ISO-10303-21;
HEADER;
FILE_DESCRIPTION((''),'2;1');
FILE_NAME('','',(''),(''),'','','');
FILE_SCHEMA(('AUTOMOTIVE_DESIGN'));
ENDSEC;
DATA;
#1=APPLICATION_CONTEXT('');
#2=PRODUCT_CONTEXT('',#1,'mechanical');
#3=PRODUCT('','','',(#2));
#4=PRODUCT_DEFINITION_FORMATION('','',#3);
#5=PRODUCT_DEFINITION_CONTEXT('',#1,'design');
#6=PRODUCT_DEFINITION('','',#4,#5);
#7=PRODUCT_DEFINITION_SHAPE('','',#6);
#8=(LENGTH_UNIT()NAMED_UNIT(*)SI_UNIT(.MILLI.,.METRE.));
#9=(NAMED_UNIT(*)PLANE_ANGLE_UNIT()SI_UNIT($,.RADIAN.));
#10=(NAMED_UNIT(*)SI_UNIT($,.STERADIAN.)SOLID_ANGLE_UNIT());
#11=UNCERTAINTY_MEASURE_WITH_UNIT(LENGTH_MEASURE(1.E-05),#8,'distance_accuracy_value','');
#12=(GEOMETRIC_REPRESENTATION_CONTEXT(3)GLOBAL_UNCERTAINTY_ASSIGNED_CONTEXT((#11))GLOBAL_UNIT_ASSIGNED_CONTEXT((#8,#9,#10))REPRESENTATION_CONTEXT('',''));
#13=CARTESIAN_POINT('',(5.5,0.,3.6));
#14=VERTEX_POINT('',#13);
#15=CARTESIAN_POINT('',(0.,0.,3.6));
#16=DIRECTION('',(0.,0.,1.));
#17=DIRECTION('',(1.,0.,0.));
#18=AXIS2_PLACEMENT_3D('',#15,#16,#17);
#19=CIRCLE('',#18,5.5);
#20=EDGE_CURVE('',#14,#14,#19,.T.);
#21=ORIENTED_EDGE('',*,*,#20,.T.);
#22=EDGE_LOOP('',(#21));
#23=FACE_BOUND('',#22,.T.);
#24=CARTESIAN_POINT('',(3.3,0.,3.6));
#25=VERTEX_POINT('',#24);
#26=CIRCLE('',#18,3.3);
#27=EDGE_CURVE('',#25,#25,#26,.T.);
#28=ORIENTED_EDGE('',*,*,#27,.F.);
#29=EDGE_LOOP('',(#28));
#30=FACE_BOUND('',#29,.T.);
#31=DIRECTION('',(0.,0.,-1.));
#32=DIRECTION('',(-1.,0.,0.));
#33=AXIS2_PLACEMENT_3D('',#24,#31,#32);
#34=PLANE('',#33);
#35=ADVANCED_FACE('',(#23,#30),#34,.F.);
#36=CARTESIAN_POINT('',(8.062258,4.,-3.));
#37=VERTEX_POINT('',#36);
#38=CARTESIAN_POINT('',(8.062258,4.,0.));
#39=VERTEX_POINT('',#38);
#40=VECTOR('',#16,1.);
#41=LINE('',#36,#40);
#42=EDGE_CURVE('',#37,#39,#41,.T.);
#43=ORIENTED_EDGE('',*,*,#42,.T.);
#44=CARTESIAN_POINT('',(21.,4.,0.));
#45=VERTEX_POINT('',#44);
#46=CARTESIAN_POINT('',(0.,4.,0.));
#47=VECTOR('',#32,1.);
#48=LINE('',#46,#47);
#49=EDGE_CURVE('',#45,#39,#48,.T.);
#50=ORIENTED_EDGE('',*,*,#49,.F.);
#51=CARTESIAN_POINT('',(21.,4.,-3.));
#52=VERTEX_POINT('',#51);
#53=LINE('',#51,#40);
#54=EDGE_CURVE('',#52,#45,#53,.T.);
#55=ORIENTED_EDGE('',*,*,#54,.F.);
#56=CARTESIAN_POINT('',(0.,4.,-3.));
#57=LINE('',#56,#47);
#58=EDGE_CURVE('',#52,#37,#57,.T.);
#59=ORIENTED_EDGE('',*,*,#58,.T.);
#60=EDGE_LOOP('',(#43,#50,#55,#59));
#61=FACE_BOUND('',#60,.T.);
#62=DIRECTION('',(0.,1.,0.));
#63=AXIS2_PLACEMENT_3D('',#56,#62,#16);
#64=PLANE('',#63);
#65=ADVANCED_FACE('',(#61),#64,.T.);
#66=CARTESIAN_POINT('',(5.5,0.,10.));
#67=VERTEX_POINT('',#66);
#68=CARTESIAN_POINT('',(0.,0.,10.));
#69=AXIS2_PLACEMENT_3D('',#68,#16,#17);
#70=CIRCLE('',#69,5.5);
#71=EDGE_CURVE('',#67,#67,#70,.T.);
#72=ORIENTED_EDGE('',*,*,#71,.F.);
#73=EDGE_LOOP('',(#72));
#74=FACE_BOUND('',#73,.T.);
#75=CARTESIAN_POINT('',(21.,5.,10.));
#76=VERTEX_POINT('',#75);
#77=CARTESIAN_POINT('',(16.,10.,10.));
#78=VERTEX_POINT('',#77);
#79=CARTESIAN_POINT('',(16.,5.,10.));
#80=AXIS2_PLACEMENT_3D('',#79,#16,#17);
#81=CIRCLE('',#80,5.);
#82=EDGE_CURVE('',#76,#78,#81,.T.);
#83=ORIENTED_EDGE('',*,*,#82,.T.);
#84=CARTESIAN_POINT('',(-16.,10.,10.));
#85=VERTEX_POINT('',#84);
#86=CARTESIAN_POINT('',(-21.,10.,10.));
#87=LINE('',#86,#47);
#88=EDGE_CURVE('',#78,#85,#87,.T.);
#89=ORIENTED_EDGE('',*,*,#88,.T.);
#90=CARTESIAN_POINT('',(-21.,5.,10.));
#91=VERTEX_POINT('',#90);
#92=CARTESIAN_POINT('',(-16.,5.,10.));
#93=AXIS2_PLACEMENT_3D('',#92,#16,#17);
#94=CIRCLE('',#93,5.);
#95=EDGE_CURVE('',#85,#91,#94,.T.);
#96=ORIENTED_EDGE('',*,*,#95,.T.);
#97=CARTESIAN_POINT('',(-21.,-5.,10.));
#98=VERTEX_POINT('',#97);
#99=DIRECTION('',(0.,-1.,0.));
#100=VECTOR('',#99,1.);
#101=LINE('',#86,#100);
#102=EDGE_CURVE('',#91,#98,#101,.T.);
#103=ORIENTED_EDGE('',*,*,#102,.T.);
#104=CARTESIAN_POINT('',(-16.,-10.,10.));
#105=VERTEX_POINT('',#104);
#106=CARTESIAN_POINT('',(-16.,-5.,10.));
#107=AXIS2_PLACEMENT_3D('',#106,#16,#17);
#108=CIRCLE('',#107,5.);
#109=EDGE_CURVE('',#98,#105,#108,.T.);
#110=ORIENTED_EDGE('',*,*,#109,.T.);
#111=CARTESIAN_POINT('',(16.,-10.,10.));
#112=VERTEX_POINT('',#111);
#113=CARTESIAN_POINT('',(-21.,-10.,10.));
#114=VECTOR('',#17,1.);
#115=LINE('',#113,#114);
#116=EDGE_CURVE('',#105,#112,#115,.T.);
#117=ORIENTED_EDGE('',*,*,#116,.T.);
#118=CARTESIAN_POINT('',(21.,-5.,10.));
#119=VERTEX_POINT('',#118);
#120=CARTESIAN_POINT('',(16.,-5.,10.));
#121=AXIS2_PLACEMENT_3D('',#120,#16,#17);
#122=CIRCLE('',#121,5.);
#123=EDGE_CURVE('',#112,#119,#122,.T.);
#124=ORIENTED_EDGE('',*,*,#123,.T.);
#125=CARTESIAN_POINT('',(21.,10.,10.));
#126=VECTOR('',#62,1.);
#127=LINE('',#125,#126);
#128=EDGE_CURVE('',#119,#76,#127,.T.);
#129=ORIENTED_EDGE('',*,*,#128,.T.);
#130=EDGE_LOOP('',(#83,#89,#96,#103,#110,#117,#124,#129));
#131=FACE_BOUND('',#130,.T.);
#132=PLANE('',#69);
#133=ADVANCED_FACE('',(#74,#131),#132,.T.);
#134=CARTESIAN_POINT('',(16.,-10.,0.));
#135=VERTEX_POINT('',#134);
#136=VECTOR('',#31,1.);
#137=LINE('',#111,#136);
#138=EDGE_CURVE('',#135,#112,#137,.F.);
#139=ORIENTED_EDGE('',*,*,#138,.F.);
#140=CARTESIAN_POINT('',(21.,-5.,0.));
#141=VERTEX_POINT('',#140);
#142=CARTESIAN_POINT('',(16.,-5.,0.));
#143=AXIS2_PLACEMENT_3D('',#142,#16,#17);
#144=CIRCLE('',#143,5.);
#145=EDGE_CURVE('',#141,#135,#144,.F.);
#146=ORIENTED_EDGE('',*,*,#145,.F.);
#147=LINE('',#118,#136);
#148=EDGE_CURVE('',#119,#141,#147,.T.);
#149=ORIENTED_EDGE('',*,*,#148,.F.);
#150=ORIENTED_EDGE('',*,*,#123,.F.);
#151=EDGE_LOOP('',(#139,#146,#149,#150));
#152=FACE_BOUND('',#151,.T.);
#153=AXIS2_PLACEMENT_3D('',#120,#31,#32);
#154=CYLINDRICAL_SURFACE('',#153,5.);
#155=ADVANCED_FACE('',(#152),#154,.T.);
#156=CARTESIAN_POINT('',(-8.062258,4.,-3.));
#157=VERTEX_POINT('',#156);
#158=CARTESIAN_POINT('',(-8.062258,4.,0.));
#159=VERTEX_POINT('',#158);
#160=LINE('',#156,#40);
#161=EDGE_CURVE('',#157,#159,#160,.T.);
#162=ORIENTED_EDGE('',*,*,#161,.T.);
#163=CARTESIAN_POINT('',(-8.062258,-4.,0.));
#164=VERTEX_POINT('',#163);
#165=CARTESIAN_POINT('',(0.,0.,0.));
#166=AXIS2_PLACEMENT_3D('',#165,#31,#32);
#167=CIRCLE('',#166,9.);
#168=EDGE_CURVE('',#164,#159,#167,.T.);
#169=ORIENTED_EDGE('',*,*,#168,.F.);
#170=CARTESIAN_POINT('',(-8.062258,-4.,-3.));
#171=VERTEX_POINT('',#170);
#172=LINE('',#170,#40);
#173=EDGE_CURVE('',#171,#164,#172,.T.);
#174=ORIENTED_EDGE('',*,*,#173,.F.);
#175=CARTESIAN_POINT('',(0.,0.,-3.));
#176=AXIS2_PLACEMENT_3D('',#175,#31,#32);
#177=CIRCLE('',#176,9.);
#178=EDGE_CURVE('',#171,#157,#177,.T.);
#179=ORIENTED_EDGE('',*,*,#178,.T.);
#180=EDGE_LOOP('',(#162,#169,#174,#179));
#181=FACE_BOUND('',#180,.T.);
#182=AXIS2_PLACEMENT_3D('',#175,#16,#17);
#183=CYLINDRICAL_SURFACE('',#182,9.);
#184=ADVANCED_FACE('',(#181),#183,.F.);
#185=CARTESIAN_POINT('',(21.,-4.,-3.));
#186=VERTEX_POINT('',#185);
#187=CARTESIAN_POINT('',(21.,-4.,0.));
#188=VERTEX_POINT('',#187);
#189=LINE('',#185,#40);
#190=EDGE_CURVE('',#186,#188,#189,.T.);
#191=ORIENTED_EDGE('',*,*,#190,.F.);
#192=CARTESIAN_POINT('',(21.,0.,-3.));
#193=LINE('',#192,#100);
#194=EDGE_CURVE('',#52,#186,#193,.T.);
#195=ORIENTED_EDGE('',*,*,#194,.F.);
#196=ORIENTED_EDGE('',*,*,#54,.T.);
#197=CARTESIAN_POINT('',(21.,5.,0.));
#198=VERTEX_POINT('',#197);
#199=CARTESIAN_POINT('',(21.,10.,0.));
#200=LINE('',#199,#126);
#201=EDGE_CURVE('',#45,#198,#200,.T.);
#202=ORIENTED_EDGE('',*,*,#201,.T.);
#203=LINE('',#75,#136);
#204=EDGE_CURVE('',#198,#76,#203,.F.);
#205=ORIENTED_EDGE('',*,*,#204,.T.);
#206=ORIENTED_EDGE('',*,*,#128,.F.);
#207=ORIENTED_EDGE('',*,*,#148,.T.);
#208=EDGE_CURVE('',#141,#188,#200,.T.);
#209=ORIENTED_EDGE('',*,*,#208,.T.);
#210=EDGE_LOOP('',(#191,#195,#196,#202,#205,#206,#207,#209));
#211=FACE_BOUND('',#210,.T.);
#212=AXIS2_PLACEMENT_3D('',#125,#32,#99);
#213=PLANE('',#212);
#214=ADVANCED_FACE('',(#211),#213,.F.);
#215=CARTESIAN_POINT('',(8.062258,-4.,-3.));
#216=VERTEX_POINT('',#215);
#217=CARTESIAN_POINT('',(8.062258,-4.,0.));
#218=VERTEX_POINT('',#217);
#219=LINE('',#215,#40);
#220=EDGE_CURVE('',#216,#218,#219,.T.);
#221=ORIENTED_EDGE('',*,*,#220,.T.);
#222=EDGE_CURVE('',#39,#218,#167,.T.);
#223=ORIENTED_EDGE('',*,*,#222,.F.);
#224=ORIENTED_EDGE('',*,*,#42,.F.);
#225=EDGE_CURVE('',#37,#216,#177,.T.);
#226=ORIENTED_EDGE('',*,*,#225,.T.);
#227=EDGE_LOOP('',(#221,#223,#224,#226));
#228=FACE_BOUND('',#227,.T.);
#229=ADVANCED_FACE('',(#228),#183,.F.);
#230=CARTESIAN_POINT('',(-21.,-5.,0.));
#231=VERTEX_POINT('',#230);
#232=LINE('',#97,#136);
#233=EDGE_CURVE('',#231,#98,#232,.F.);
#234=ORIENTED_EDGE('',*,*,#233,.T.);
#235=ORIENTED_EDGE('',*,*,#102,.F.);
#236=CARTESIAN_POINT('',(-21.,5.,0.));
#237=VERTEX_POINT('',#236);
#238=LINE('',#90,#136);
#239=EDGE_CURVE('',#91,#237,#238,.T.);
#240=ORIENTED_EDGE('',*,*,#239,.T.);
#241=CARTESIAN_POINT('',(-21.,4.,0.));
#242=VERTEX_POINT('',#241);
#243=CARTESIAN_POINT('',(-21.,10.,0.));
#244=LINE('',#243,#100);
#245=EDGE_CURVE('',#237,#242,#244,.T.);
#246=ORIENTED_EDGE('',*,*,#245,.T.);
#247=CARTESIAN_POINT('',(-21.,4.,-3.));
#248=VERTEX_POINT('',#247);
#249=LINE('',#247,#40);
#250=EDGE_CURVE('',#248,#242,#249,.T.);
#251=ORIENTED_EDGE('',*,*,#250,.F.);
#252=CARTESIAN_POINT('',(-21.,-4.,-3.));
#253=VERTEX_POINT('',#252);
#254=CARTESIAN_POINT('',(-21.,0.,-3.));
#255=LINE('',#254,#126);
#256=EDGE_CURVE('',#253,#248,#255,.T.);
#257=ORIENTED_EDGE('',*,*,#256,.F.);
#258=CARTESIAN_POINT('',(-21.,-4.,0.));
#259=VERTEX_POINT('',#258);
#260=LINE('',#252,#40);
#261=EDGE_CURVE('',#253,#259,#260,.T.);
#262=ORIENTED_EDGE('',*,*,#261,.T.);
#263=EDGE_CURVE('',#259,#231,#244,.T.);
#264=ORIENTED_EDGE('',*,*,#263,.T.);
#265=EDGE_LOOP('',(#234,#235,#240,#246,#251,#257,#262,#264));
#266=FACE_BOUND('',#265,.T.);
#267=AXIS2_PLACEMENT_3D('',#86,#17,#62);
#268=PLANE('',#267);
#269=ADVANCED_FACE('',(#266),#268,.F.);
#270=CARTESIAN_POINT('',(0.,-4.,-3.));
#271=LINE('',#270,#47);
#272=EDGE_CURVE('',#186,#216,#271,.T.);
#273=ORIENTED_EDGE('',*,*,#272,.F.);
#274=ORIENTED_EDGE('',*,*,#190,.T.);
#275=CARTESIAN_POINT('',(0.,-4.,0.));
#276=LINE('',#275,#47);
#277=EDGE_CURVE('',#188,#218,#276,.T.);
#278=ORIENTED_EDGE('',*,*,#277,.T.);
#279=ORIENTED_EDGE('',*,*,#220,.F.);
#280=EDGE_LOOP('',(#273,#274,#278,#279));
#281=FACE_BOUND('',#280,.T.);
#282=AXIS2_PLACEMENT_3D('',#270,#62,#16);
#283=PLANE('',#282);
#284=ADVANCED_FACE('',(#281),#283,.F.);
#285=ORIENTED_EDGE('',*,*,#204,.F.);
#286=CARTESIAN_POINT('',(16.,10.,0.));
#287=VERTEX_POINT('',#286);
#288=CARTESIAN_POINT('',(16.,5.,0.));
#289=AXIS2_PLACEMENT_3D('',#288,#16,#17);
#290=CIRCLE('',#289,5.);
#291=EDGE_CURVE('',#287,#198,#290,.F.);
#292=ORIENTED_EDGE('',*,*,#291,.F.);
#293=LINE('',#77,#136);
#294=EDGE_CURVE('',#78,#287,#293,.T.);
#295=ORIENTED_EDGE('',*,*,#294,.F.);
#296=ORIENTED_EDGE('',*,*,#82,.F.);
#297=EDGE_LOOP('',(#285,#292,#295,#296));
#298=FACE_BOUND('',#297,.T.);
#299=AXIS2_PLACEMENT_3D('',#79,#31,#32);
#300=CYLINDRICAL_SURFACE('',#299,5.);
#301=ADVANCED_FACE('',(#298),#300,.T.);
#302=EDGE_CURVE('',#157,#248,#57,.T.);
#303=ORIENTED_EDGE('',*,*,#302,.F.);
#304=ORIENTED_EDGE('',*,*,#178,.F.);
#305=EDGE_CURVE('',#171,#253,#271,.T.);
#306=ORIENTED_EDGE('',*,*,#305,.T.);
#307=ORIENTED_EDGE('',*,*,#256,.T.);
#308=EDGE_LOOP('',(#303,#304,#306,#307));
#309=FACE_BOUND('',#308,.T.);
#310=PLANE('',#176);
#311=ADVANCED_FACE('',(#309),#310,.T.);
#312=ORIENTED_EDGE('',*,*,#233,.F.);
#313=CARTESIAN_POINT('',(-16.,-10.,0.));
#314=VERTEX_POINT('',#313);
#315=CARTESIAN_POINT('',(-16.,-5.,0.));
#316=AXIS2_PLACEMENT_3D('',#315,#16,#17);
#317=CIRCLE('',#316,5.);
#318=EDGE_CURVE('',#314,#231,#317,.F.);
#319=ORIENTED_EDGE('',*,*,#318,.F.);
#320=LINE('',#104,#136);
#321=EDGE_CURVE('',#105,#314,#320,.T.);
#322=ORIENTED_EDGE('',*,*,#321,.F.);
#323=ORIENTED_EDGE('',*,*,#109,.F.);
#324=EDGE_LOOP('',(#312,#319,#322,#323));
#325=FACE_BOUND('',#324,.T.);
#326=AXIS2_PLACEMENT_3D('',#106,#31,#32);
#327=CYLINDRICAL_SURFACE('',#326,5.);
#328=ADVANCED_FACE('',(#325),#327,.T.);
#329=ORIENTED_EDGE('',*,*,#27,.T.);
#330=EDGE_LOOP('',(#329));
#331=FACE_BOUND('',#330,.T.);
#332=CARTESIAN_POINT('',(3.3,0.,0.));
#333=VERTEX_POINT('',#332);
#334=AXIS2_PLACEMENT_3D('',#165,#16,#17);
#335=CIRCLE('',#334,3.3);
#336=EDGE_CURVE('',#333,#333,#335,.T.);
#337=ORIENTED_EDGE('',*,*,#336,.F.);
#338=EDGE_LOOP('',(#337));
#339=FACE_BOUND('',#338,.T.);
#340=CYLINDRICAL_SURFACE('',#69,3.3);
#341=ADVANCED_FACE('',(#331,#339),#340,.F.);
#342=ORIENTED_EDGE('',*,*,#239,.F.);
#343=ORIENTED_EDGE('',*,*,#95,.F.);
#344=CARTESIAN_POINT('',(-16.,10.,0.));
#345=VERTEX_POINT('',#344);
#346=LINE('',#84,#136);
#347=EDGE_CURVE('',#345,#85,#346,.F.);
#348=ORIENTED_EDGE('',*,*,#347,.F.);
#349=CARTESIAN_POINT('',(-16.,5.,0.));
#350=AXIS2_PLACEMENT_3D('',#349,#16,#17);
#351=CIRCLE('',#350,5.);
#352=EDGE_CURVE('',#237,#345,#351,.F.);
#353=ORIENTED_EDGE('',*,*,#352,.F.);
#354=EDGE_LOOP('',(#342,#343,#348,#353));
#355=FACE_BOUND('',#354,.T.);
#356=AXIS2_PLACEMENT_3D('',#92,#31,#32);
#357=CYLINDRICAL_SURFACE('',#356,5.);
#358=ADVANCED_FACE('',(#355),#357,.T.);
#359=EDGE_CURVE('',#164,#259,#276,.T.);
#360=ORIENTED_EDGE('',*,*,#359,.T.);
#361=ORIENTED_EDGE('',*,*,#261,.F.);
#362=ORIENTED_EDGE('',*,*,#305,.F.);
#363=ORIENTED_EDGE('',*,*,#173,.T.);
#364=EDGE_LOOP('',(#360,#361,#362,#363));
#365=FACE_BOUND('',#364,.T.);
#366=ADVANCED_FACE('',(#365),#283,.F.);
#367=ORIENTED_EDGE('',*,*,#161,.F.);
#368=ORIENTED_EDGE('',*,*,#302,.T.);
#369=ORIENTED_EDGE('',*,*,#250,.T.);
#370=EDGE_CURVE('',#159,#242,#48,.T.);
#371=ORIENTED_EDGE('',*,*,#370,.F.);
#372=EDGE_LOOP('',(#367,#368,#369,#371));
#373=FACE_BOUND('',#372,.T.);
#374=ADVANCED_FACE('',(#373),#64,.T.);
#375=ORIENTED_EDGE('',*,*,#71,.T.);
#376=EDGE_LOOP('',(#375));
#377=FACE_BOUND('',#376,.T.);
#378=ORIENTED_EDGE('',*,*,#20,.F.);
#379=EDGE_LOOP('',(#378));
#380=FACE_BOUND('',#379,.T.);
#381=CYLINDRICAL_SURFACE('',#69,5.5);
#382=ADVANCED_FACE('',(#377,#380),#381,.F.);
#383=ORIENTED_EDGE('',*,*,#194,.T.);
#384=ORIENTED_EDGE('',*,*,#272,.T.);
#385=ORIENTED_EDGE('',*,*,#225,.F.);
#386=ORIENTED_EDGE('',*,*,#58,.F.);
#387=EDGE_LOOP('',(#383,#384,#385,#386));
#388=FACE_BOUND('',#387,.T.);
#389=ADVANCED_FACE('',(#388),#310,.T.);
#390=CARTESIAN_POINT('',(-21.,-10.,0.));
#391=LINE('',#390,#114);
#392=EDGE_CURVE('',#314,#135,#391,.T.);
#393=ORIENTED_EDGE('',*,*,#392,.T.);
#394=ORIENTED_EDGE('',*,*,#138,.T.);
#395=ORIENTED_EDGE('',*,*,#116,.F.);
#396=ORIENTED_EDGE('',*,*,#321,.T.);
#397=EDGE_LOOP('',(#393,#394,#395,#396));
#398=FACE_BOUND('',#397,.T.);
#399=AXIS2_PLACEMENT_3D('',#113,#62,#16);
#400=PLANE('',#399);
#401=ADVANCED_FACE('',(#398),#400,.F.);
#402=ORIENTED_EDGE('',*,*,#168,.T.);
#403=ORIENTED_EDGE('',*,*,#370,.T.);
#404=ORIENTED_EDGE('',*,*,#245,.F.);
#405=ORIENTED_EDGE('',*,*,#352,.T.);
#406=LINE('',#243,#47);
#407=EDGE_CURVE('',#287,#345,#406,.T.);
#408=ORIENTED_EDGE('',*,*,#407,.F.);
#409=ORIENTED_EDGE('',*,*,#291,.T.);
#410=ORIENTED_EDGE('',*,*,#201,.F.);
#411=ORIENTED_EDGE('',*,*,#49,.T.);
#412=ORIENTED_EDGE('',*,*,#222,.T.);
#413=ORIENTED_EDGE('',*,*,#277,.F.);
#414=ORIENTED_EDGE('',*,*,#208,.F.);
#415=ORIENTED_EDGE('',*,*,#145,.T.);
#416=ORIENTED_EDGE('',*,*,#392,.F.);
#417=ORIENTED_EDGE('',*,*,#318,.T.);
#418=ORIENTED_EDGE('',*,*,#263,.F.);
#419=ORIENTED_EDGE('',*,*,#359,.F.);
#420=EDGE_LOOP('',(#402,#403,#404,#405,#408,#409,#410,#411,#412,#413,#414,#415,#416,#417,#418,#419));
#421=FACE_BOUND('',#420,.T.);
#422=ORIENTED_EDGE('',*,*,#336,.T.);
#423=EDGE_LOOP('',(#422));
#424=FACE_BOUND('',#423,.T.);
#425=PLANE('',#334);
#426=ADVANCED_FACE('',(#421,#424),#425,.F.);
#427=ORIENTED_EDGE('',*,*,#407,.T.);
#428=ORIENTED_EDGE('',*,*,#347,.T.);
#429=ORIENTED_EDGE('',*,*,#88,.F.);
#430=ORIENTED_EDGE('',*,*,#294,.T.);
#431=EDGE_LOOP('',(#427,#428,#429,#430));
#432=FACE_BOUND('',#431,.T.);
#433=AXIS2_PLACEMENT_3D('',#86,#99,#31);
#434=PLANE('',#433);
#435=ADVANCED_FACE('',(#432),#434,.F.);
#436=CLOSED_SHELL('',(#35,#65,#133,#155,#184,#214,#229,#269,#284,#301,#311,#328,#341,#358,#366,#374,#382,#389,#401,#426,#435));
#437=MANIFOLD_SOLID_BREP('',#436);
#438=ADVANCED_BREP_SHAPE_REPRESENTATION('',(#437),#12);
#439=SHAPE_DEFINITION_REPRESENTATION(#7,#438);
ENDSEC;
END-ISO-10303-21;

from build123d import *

# Parameters (mm, degrees)
BASE_SKETCH_W           = 42
BASE_SKETCH_H           = 20
BASE_DEPTH              = 10
MOUNT_SCREW_D           = 6.6
MOUNT_SCREW_CBORE_D     = 11
MOUNT_SCREW_CBORE_DEPTH = 6.4
PROFILE_CLIP_DEPTH      = 3
ZAOBLIT1_R              = 5


with BuildPart() as part:
    # Base sketch → Base (new body)
    with BuildSketch(Plane.XY):
        Rectangle(BASE_SKETCH_W, BASE_SKETCH_H)
    extrude(amount=BASE_DEPTH)

    # Mount screw (through all)
    with Locations(Plane.XY.offset(10)):
        with Locations((0, 0)):
            CounterBoreHole(MOUNT_SCREW_D / 2, MOUNT_SCREW_CBORE_D / 2, MOUNT_SCREW_CBORE_DEPTH)

    # Profile clip sketch → Profile clip (add)
    with BuildSketch(Plane(origin=(0, 0, 0), x_dir=(-1, 0, 0), z_dir=(0, 0, -1))):
        with BuildLine():
            Line((-8.062257748, 4), (-21, 4))
            Line((-21, 4), (-21, -4))
            Line((-21, -4), (-8.062257748, -4))
            ThreePointArc((-8.062257748, -4), (-9, 0), (-8.062257748, 4))
        make_face()
        with BuildLine():
            Line((21, 4), (8.062257748, 4))
            ThreePointArc((8.062257748, 4), (8.762428879, 2.054224947), (9, 0))
            ThreePointArc((9, 0), (8.762428879, -2.054224947), (8.062257748, -4))
            Line((8.062257748, -4), (21, -4))
            Line((21, -4), (21, 4))
        make_face()
    extrude(amount=PROFILE_CLIP_DEPTH)

    # Zaoblit1
    zaoblit1_edges = [part.edges().sort_by_distance(p)[0] for p in [
        (21, -10, 5),
        (-21, -10, 5),
        (-21, 10, 5),
        (21, 10, 5),
    ]]
    fillet(zaoblit1_edges, radius=ZAOBLIT1_R)


solid = part.part
